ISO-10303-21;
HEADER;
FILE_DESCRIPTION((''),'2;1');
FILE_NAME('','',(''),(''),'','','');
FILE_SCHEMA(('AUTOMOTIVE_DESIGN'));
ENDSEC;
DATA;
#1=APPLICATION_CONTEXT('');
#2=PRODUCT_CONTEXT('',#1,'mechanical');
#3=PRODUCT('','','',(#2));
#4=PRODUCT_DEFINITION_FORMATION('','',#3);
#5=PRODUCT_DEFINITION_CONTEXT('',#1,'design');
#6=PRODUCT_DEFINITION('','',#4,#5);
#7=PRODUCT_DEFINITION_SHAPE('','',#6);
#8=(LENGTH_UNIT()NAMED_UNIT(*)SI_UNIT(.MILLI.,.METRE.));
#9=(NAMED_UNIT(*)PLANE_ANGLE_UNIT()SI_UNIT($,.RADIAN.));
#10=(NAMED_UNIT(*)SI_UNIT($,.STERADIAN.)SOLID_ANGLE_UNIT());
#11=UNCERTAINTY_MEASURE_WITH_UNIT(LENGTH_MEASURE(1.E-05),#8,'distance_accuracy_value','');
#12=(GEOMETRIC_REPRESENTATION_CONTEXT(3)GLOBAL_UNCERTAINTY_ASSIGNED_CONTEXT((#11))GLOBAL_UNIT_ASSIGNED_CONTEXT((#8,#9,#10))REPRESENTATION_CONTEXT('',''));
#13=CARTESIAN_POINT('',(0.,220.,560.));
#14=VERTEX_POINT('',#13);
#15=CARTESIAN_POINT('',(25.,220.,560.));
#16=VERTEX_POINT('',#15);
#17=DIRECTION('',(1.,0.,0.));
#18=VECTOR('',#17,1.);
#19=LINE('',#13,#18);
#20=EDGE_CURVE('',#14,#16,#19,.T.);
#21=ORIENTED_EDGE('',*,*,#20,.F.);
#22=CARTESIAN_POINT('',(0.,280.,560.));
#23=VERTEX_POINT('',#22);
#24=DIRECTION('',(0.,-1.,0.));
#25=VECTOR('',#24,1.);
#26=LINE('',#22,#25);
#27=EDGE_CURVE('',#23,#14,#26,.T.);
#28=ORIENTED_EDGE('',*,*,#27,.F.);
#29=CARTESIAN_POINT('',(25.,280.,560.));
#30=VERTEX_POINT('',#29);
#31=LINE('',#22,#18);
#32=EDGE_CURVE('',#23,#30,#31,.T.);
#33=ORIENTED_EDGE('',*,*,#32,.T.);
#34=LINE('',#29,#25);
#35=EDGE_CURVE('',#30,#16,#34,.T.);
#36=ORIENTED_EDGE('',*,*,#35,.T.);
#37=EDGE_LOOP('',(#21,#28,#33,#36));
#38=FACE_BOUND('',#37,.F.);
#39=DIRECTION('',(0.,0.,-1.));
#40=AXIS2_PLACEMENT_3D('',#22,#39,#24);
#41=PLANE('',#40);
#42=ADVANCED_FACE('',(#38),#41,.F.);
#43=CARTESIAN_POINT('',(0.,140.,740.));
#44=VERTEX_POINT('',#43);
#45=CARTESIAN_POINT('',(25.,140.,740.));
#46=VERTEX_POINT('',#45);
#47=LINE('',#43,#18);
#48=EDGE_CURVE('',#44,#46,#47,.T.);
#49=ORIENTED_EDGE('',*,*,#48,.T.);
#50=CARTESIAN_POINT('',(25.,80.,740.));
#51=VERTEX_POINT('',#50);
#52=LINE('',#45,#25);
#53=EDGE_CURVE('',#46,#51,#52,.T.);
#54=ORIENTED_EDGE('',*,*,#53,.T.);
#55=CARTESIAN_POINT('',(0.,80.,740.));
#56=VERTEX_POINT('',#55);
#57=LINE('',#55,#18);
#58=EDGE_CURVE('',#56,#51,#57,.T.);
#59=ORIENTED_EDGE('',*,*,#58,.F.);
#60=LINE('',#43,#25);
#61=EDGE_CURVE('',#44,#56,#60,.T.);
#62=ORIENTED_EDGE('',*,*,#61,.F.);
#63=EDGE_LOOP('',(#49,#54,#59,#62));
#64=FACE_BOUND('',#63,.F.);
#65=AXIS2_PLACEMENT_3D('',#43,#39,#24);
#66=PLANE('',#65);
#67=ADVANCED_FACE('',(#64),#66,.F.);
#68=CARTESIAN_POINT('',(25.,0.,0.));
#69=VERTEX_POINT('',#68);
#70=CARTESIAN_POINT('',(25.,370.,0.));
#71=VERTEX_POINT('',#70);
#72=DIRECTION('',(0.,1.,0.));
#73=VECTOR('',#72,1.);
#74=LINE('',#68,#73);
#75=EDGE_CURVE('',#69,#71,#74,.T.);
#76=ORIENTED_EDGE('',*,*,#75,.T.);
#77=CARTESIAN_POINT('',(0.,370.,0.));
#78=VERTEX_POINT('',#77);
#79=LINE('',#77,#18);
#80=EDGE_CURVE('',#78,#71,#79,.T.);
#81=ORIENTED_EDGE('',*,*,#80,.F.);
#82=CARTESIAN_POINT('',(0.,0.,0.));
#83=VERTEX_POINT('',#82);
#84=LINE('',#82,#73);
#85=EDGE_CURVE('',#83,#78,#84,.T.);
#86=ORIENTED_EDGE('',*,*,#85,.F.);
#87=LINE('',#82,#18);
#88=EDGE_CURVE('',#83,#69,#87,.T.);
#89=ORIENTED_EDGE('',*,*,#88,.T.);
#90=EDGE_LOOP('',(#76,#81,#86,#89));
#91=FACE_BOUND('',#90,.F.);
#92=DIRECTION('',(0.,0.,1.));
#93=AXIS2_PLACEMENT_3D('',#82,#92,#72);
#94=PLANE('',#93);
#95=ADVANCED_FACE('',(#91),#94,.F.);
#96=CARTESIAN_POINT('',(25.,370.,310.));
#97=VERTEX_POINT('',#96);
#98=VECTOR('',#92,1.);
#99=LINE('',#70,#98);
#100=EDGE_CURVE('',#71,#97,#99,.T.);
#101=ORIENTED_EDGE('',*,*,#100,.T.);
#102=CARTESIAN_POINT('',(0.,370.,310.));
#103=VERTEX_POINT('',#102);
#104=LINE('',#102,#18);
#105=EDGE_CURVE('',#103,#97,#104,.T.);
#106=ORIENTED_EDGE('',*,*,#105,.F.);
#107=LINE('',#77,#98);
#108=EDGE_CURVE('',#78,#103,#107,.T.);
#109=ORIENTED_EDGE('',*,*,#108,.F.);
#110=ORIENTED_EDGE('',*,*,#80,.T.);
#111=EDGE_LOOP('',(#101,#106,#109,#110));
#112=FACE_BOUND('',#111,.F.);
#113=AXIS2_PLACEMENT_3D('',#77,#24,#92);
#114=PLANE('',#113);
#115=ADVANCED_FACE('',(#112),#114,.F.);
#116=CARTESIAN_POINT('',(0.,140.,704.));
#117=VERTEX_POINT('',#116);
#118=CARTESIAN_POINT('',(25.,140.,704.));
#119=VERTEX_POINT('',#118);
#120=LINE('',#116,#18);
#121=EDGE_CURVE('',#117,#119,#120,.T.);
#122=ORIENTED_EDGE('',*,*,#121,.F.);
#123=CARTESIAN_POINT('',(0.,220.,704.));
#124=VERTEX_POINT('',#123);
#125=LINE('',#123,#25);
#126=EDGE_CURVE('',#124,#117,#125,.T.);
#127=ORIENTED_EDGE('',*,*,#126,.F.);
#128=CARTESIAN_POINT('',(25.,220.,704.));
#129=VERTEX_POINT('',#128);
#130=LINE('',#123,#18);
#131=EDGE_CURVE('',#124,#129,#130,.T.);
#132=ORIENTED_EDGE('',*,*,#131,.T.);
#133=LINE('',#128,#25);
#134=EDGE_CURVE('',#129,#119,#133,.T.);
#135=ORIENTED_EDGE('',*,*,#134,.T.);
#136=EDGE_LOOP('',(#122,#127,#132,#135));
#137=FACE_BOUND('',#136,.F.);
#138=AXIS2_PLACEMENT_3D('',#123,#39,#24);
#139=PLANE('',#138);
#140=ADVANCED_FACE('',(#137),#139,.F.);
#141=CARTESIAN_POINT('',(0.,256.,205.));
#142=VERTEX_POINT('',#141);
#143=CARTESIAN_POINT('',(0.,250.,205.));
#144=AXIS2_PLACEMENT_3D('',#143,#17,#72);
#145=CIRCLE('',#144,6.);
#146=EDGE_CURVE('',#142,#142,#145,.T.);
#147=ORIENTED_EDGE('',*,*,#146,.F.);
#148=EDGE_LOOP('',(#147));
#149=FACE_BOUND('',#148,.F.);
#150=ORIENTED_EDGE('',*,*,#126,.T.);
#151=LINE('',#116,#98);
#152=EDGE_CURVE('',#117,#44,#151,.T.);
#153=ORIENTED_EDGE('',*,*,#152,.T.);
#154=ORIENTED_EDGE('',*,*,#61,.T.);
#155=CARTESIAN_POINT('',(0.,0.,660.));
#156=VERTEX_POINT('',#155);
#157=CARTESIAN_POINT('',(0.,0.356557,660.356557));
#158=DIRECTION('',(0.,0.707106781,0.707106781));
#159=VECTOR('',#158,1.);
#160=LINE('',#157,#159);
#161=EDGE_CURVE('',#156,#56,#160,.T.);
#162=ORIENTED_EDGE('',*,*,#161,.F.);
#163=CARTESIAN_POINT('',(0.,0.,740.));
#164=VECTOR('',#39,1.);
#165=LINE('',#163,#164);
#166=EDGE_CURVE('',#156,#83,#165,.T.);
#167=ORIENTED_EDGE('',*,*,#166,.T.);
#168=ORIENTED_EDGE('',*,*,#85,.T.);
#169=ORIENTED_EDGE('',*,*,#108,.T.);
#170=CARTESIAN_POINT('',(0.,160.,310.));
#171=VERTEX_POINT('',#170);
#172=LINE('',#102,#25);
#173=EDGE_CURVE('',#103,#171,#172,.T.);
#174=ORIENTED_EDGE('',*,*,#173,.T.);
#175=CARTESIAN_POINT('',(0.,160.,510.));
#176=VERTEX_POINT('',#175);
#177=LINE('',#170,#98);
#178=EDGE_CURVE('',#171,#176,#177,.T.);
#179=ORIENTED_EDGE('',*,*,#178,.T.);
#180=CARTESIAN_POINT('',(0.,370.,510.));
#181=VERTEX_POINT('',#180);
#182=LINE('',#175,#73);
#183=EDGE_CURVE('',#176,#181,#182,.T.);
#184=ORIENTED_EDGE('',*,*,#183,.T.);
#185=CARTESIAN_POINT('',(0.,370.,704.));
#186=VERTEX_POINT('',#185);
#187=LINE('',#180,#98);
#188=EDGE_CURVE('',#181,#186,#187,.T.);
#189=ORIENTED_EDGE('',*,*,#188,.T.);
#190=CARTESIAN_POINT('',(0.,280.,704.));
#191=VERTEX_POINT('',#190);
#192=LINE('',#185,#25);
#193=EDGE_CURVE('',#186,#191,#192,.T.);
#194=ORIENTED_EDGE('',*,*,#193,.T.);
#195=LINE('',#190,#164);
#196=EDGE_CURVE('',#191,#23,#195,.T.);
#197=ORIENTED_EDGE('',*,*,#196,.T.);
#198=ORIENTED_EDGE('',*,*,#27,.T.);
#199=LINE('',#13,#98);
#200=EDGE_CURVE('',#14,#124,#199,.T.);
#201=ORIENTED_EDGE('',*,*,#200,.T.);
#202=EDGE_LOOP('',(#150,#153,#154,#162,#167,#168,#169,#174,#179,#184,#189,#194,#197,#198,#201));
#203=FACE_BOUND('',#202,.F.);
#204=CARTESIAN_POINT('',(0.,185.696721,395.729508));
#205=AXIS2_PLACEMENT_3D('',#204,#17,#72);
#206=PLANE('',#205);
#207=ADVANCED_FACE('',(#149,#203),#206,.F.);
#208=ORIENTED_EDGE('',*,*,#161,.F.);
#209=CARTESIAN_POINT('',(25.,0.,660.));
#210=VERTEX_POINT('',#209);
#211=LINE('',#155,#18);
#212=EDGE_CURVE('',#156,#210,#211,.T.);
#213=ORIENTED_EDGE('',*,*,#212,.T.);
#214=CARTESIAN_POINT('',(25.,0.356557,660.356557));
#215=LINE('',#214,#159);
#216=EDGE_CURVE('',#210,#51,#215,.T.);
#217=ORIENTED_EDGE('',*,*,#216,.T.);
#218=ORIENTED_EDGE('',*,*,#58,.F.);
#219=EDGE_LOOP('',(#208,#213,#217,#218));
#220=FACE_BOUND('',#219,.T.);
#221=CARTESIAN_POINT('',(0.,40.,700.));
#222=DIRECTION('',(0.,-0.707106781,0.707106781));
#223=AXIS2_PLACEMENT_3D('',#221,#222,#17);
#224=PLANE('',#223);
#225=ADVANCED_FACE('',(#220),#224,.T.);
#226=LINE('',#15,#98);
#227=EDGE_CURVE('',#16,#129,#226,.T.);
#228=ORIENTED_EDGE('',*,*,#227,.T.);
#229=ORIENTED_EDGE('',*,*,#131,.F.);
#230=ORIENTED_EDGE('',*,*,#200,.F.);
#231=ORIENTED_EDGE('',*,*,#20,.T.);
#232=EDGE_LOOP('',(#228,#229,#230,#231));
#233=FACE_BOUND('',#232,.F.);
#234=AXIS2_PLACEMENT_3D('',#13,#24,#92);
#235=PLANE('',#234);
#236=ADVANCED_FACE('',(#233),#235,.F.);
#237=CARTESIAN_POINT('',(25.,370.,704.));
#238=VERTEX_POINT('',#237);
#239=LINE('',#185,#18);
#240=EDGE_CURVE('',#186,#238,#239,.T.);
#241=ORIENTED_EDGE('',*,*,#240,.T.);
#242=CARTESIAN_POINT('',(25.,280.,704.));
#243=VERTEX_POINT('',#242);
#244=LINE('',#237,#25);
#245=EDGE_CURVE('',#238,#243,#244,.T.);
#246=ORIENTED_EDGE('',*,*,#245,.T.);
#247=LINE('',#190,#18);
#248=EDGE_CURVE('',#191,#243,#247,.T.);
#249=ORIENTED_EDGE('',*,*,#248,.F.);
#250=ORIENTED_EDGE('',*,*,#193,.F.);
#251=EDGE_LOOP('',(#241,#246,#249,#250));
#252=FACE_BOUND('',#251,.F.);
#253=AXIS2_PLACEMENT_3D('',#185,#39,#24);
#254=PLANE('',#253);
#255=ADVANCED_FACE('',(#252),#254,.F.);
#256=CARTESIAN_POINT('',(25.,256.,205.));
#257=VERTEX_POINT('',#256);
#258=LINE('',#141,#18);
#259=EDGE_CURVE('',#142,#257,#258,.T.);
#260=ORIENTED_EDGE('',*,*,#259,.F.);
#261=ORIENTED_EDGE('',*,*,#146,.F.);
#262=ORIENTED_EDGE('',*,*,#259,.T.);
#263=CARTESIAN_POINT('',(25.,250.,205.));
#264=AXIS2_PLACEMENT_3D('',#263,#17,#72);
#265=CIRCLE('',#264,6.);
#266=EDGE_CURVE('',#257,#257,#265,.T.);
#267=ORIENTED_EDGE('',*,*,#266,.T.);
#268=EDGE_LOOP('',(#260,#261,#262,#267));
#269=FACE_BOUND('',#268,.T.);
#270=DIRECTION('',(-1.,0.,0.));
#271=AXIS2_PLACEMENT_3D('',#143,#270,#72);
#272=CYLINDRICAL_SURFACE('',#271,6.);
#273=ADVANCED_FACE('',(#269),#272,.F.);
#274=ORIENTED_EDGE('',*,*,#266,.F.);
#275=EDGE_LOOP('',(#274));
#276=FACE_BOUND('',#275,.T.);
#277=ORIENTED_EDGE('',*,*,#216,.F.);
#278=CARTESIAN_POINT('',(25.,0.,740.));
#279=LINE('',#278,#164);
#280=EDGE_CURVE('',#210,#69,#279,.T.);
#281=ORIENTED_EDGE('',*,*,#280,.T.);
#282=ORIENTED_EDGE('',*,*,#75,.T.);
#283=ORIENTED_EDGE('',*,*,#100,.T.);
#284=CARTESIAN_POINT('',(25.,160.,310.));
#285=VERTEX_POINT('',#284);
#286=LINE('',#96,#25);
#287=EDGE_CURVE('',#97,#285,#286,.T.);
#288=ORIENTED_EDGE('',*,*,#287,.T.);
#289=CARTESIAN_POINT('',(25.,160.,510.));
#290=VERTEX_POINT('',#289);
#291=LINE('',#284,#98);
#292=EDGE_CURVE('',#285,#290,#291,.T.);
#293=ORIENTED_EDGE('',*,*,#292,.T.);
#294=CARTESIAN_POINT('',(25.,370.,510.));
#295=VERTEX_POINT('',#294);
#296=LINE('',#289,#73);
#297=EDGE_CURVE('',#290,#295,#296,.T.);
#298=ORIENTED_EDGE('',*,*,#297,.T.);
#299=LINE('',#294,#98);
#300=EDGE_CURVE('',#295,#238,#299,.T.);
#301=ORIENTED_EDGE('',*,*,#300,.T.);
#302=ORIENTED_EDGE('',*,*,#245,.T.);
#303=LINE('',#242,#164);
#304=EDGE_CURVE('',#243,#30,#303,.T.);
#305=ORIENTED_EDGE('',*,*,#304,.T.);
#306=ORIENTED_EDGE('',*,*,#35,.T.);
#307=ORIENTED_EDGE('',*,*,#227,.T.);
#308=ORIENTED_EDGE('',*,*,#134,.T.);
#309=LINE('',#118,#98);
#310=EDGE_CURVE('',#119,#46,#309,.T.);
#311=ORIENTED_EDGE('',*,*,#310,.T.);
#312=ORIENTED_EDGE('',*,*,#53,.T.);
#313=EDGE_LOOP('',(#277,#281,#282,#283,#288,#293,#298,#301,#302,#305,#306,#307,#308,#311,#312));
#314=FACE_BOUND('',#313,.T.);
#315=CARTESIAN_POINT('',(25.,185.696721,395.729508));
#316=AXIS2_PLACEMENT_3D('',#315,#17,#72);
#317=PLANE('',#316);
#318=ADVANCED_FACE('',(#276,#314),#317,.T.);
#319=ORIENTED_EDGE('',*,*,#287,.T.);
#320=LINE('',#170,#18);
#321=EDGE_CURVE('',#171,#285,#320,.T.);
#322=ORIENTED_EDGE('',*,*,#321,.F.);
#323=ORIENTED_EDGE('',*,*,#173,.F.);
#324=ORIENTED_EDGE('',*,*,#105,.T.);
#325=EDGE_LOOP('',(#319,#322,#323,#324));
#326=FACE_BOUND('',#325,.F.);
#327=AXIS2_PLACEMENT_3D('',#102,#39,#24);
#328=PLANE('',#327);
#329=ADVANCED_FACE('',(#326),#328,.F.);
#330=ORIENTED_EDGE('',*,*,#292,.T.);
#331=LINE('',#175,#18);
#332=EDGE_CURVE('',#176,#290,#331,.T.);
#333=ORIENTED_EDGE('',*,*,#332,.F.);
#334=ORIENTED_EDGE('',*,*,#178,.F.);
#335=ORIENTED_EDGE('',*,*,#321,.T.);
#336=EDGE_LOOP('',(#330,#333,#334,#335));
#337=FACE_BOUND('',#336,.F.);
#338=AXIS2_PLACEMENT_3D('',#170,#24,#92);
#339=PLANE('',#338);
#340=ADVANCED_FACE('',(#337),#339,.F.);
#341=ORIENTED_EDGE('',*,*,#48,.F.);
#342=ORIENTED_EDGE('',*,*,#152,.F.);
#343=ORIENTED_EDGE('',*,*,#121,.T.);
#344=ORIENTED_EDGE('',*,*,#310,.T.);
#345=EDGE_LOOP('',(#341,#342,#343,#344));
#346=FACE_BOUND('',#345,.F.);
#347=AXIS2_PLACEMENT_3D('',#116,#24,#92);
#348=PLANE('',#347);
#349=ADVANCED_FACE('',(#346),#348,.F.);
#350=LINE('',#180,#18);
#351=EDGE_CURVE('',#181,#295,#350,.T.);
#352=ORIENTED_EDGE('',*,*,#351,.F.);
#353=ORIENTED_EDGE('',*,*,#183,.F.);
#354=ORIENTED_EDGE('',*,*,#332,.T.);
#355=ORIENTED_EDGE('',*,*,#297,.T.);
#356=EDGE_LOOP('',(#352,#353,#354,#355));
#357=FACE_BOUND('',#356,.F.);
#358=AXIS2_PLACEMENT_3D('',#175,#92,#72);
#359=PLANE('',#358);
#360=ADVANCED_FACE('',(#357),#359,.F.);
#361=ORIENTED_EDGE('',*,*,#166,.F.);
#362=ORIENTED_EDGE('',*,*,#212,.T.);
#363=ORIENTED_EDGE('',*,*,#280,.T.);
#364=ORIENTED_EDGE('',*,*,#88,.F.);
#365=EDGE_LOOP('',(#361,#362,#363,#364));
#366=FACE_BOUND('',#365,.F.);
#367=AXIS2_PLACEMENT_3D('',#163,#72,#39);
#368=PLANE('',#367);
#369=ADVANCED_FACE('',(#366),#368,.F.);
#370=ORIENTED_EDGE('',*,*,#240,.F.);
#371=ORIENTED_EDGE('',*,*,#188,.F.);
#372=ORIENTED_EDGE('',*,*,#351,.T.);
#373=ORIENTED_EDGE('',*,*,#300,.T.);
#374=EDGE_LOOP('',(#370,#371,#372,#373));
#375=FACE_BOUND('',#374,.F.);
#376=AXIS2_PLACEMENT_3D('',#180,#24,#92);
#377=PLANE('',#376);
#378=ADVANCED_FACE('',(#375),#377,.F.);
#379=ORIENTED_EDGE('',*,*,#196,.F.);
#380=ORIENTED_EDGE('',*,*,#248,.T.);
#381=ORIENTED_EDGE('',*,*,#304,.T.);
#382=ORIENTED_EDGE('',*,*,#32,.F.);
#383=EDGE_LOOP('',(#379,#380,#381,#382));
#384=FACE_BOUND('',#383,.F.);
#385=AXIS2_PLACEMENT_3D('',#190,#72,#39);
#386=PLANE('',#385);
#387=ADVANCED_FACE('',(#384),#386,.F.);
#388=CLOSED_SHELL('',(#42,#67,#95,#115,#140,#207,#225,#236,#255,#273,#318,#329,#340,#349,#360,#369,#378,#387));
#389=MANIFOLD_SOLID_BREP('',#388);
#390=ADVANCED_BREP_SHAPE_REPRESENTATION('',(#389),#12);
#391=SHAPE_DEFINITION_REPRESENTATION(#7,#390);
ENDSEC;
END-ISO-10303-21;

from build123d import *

# Parameters (mm, degrees)
F0_R     = 6
F1_DEPTH = 25
F2_SIZE  = 80


with BuildPart() as f1:
    # F0 (on Right) → F1 (new body)
    with BuildSketch(Plane.YZ):
        Polygon((0, 740), (0, 0), (370, 0), (370, 310), (160, 310), (160, 510), (370, 510), (370, 704), (280, 704), (280, 560), (220, 560), (220, 704), (140, 704), (140, 740), align=None)
        with Locations((250, 205)):
            Circle(F0_R, mode=Mode.SUBTRACT)
    extrude(amount=F1_DEPTH)

    # F2
    f2_edges = [f1.edges().sort_by_distance(p)[0] for p in [
        (12.5, 0, 740),
    ]]
    chamfer(f2_edges, length=F2_SIZE)


solid = f1.part
